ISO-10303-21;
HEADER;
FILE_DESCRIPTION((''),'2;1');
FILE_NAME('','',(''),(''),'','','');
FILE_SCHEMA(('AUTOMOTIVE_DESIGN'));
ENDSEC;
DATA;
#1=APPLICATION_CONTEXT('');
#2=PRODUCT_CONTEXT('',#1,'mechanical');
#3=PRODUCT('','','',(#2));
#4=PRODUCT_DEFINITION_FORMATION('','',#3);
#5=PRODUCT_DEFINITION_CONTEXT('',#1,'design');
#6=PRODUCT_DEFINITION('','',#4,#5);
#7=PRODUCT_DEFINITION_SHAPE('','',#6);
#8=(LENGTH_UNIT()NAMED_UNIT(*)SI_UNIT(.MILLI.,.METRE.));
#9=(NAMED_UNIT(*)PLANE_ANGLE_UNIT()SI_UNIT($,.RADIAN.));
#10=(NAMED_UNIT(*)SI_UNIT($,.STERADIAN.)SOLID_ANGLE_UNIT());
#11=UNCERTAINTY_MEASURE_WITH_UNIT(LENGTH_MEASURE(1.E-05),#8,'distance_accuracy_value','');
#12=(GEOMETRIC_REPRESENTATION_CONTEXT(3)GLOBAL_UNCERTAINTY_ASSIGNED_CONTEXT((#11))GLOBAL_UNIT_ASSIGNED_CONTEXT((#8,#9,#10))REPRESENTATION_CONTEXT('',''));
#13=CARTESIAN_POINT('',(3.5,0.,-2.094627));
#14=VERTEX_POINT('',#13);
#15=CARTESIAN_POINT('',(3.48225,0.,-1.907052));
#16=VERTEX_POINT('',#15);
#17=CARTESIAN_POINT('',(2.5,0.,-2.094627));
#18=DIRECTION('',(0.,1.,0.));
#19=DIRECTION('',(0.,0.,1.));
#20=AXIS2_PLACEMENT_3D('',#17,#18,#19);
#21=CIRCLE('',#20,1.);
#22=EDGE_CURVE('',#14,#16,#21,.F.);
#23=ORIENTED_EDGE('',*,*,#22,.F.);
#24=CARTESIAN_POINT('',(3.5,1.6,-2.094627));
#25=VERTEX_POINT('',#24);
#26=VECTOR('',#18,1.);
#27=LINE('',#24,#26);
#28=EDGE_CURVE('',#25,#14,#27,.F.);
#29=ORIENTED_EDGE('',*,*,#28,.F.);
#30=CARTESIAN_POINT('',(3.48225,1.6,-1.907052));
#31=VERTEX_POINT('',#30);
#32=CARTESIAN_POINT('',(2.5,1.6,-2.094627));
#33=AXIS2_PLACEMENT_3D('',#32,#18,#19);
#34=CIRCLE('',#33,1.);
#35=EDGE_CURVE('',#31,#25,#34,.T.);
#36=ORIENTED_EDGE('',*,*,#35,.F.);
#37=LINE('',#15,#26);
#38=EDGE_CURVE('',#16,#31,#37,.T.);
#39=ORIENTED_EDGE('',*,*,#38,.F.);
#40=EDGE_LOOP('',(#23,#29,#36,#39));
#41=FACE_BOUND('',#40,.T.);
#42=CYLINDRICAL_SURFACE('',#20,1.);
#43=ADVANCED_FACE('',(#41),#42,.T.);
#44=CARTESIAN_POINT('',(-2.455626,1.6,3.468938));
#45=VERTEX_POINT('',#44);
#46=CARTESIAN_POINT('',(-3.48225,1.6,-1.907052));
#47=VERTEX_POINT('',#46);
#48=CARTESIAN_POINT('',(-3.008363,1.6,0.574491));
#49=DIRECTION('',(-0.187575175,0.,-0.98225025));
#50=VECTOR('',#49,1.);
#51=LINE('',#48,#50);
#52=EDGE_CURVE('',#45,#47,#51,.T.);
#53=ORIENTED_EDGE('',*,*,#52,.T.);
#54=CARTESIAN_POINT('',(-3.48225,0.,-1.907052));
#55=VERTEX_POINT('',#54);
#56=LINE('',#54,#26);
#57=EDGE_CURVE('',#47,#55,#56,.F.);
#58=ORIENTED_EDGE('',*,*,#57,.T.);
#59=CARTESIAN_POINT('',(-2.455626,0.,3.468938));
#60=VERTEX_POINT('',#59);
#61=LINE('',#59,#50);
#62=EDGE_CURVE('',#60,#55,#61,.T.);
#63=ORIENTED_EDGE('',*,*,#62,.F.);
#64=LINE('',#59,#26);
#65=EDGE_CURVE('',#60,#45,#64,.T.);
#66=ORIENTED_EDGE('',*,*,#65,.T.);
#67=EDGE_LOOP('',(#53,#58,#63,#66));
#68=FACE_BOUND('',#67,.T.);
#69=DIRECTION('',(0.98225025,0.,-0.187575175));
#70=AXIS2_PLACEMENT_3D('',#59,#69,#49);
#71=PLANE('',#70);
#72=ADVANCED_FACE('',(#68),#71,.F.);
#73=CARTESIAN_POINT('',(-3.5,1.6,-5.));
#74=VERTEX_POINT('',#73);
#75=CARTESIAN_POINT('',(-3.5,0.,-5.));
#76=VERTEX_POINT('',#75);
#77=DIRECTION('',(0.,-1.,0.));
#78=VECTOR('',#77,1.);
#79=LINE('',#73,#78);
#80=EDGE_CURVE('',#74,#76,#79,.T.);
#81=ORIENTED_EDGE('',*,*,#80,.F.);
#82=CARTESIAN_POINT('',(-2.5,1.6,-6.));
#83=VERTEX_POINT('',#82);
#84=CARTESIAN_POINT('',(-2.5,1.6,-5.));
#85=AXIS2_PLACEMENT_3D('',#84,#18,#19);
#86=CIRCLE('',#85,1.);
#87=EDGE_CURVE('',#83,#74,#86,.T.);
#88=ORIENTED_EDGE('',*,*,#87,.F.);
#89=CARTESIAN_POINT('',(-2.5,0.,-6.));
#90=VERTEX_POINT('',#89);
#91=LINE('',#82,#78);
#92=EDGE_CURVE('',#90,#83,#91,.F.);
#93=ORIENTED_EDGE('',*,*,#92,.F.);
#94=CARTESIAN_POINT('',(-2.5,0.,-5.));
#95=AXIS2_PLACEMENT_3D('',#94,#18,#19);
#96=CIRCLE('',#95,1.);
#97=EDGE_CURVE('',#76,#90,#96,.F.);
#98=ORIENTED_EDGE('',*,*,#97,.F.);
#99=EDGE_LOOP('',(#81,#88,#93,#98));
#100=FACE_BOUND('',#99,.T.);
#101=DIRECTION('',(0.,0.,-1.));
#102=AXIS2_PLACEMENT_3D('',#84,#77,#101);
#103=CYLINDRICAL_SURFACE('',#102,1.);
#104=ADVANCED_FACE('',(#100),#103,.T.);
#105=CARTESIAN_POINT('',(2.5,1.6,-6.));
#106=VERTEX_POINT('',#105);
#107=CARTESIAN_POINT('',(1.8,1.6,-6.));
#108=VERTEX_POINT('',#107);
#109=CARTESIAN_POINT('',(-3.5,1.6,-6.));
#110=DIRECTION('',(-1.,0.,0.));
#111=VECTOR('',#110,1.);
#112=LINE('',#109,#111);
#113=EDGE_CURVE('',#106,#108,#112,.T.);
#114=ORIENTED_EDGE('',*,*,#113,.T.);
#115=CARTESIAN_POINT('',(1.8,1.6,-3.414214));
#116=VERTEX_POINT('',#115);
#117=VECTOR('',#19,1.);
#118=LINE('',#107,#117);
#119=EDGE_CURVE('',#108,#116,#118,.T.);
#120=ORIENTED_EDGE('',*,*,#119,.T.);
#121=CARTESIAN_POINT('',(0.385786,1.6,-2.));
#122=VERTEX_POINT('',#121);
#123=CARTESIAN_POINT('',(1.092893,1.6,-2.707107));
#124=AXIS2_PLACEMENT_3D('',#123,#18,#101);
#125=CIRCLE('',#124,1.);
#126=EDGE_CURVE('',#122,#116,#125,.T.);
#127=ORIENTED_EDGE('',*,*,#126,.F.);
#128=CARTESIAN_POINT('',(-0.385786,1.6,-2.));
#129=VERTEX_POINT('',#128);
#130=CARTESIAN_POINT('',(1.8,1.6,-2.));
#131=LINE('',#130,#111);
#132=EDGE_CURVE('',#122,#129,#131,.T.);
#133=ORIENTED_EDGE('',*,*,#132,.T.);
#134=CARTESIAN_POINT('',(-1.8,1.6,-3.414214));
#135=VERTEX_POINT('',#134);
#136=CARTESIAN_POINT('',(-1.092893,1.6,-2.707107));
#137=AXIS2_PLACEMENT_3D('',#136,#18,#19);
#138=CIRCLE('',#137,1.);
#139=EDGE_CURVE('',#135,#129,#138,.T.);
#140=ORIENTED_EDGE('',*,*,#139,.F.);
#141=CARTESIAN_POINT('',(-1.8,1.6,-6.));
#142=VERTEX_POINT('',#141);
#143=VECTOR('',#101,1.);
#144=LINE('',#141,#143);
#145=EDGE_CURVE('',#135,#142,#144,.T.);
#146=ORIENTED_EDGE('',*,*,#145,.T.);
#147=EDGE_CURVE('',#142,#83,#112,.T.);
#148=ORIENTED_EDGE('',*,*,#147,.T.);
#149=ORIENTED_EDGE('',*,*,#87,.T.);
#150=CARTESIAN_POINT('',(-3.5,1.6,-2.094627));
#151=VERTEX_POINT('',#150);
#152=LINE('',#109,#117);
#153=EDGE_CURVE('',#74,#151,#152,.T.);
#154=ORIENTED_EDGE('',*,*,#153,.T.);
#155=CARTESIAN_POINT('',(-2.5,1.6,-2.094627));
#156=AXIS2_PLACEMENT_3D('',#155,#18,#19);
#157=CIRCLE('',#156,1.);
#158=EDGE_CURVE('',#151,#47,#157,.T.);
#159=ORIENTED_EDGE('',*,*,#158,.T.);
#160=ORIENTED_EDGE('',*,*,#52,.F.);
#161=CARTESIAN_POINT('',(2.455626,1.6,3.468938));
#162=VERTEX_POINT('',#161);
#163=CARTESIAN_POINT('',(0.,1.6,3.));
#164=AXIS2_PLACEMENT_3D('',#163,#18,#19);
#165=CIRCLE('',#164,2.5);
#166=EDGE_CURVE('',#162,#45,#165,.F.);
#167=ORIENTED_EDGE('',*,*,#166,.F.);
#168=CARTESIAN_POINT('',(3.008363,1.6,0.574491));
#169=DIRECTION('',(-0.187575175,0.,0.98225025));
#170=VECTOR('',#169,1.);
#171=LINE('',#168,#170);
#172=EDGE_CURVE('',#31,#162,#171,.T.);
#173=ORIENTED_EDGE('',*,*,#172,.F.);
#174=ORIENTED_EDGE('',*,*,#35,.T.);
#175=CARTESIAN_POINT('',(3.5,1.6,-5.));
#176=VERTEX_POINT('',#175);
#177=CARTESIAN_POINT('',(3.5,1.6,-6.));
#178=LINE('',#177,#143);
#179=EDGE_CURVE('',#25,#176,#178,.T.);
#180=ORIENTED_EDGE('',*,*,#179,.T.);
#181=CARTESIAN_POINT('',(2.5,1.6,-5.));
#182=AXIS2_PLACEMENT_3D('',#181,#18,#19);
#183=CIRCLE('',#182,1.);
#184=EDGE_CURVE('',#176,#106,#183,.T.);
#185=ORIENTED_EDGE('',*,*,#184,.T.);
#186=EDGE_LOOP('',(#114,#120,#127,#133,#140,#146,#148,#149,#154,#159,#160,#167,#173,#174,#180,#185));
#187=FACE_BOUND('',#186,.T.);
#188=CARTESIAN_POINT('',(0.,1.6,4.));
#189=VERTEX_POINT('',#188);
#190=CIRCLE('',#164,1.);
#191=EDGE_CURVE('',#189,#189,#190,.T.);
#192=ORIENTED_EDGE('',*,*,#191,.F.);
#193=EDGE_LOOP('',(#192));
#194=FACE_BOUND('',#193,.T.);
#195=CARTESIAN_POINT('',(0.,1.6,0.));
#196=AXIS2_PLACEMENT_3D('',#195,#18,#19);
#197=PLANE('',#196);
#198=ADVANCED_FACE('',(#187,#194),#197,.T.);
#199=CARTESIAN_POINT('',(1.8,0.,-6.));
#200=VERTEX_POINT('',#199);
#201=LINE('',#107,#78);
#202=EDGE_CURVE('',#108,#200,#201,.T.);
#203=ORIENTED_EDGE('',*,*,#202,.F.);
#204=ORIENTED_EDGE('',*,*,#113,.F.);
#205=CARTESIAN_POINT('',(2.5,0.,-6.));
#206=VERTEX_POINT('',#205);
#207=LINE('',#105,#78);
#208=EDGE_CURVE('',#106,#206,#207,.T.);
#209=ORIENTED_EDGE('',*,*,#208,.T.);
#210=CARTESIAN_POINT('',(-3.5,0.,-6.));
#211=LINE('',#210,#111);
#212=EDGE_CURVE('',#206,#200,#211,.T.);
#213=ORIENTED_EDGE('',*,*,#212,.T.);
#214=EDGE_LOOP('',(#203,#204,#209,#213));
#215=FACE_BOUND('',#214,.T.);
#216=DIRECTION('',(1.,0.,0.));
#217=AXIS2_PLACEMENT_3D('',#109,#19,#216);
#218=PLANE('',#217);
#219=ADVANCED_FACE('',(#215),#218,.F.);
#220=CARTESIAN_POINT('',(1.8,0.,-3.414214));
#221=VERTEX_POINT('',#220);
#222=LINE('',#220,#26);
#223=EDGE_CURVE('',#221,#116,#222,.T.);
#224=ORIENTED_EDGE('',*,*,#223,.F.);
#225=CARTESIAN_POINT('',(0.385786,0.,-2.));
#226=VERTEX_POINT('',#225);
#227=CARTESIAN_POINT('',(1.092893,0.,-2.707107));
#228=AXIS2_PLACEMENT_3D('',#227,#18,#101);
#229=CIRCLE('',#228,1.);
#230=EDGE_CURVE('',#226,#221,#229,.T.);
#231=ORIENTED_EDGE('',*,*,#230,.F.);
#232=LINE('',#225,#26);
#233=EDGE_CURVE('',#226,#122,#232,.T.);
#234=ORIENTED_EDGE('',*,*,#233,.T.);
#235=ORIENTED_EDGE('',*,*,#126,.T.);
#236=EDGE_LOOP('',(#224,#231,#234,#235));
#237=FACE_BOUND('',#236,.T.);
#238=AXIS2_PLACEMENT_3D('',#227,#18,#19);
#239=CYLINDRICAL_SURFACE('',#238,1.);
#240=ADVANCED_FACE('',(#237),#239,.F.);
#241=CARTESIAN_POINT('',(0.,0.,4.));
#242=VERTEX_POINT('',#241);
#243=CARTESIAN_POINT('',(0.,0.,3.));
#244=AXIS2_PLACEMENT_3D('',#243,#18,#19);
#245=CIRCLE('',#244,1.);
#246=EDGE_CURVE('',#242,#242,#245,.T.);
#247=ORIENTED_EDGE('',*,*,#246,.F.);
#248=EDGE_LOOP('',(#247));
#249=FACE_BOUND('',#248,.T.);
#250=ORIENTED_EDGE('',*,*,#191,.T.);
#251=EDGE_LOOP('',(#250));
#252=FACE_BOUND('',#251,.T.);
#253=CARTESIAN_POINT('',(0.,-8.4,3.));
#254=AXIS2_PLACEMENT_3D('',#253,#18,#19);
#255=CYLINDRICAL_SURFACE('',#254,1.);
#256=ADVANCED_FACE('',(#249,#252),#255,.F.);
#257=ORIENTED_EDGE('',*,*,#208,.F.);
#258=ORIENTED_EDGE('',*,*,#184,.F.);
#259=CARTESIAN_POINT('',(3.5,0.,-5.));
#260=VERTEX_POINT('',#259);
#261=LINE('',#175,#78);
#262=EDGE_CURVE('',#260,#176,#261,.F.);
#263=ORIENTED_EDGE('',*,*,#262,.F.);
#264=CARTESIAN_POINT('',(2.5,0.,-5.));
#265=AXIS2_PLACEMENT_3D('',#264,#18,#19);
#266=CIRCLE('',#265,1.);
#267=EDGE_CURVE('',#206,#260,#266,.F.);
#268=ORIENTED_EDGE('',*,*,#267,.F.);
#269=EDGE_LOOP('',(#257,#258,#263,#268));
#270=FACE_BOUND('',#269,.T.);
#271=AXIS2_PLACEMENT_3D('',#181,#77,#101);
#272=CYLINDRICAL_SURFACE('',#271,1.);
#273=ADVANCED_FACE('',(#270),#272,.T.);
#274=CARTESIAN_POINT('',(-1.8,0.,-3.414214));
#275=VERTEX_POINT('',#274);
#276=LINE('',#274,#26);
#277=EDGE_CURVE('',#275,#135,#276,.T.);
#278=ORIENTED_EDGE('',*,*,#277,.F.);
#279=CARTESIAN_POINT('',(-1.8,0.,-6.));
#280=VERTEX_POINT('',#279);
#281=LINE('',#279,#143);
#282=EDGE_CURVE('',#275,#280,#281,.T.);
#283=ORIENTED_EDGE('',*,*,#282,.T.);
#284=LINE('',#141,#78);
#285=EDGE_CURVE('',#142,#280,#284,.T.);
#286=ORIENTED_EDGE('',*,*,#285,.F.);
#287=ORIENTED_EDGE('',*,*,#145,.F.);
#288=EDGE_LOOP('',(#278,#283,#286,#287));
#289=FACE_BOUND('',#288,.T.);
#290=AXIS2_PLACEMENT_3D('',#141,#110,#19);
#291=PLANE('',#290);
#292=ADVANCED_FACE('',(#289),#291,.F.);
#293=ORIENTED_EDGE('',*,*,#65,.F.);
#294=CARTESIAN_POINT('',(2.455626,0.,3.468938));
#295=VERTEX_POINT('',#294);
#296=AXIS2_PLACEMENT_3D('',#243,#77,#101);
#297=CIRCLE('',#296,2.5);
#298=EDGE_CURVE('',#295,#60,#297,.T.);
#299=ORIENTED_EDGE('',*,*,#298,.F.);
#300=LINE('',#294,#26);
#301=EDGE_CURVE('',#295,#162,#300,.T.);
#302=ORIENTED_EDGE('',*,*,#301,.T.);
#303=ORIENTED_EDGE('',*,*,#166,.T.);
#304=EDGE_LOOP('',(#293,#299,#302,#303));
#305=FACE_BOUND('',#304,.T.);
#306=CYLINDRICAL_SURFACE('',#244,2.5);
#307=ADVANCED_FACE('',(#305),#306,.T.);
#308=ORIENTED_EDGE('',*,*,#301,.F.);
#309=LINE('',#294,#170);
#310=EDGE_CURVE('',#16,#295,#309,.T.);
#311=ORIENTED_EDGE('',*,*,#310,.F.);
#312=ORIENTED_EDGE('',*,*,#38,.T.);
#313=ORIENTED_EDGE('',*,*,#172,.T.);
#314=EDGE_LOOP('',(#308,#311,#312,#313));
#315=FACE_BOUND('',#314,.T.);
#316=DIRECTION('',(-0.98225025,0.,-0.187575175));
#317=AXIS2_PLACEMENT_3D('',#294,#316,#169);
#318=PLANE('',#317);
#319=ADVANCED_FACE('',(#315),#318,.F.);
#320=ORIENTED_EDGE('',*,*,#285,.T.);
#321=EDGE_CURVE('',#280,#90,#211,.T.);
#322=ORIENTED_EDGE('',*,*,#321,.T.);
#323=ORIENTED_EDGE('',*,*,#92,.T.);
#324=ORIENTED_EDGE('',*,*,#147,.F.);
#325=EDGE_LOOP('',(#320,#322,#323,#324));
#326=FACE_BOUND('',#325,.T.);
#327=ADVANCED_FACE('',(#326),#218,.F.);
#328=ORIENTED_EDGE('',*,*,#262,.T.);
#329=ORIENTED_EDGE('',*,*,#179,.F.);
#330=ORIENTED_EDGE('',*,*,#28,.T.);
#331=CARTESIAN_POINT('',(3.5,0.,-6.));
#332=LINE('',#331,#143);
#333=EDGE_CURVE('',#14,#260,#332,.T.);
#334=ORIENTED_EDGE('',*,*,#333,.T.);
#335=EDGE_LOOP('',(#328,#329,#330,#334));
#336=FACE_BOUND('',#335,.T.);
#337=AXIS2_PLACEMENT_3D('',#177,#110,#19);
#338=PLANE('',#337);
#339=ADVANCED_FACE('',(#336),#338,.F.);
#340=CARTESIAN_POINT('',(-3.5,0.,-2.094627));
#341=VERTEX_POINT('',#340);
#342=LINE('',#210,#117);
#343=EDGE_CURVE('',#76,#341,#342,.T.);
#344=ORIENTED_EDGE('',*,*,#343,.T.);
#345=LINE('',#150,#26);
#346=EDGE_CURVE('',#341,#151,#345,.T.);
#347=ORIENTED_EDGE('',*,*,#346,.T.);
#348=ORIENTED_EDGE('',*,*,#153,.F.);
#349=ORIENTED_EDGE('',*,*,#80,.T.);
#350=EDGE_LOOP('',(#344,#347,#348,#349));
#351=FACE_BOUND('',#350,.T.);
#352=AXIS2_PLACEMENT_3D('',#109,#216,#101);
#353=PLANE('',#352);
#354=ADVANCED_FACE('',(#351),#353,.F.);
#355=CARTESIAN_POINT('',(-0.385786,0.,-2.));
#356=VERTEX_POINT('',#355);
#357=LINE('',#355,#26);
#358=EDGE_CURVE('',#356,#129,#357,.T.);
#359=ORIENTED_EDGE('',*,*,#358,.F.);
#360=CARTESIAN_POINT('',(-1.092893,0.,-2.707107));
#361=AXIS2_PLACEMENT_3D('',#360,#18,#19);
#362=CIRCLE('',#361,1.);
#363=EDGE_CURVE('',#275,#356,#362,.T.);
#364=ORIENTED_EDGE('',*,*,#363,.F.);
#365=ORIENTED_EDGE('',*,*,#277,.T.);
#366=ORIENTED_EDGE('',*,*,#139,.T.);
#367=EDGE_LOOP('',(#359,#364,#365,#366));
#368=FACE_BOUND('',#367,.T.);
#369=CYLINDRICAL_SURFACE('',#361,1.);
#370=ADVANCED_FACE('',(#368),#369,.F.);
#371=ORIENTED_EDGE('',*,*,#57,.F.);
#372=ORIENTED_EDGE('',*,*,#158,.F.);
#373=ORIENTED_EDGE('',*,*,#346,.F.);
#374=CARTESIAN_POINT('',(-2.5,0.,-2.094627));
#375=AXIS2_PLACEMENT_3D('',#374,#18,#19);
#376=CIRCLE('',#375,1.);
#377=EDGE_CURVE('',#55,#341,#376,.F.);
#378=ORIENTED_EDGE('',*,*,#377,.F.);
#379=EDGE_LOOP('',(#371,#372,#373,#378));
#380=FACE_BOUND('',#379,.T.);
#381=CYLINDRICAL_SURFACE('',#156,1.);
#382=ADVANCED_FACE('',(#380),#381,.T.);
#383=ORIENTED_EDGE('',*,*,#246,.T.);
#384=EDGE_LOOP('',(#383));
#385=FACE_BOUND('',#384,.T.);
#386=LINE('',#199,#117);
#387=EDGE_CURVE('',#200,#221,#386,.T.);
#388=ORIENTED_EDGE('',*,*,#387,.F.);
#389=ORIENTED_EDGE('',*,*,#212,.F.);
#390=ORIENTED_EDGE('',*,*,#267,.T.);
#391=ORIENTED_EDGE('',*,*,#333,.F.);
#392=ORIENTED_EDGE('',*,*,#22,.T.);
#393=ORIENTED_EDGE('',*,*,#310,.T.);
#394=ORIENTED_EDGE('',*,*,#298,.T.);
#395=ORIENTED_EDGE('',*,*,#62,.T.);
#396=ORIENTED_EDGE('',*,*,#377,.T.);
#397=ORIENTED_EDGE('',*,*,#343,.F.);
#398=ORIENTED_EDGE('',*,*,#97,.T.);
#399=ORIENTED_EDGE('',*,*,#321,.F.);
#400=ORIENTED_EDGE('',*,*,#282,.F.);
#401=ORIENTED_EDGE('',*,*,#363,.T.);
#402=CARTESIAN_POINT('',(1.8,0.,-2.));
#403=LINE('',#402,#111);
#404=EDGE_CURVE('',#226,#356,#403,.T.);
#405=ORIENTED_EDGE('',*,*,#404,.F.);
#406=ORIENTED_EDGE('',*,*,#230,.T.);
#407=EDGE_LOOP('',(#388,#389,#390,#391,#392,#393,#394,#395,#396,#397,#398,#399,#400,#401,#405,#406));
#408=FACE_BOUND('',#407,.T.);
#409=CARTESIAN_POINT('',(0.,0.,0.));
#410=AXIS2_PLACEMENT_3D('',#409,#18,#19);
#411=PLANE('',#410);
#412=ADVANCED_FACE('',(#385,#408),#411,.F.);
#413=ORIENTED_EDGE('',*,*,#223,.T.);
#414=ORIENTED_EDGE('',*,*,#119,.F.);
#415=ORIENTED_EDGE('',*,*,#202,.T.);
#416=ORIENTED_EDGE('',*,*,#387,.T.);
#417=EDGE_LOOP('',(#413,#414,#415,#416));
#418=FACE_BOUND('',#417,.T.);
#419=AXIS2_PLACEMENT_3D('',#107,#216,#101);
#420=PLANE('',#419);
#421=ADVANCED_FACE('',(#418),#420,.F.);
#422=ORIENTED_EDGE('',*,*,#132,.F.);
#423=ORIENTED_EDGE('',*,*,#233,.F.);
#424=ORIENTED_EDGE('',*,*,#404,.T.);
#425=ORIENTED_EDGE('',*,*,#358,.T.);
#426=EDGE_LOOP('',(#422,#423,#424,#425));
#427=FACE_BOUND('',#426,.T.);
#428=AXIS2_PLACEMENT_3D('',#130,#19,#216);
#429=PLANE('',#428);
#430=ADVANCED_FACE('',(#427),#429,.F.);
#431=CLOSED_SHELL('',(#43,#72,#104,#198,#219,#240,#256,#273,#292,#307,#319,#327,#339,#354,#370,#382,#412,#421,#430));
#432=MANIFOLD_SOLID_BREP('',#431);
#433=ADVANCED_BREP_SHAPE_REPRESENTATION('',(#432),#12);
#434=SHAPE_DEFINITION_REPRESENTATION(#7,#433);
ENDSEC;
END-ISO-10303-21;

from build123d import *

# Parameters (mm, degrees)
SKETCH1_W               = 7
SKETCH1_H               = 12
BOSS_EXTRUDE1_DEPTH     = 1.6
SKETCH3_W               = 3.6
SKETCH3_H               = 4
CUT_EXTRUDE2_DEPTH      = 8.128113355
SKETCH4_R               = 1
CUT_EXTRUDE3_DEPTH      = 10
CUT_EXTRUDE4_DEPTH      = 8.128113355
CUT_EXTRUDE4_DEPTH_BACK = 8.128113355
FILLET1_R               = 1
CUT_EXTRUDE5_DEPTH      = 8.128113355


with BuildPart() as part:
    # Sketch1 → Boss-Extrude1 (new body)
    with BuildSketch(Plane(origin=(0, 0, 0), x_dir=(1, 0, 0), z_dir=(0, 1, 0))):
        Rectangle(SKETCH1_W, SKETCH1_H)
    extrude(amount=BOSS_EXTRUDE1_DEPTH)

    # Sketch3 → Cut-Extrude2 (cut, through all)
    with BuildSketch(Plane.XZ):
        with Locations((0, -4)):
            Rectangle(SKETCH3_W, SKETCH3_H)
    extrude(amount=-CUT_EXTRUDE2_DEPTH, mode=Mode.SUBTRACT)

    # Sketch4 → Cut-Extrude3 (cut)
    with BuildSketch(Plane(origin=(0, 1.6, 0), x_dir=(1, 0, 0), z_dir=(0, 1, 0))):
        with Locations(Location((0, -3, 0), (0, 0, 270))):
            Circle(SKETCH4_R)
    extrude(amount=-CUT_EXTRUDE3_DEPTH, mode=Mode.SUBTRACT)

    # Sketch5 → Cut-Extrude4 (cut, two sides: drawn at the far end of the back side and taken through both)
    with BuildSketch(Plane(origin=(0, 1.6, 0), x_dir=(1, 0, 0), z_dir=(0, 1, 0)).offset(-CUT_EXTRUDE4_DEPTH_BACK)):
        with BuildLine():
            Line((2.455625625, -3.468937938), (3.5, 2))
            Line((3.5, 2), (6.178310216, -2.368643633))
            Line((6.178310216, -2.368643633), (0.801322839, -12.436782797))
            Line((0.801322839, -12.436782797), (-8.05270341, -5.5))
            Line((-8.05270341, -5.5), (-3.5, 2))
            Line((-3.5, 2), (-2.455625625, -3.468937938))
            ThreePointArc((-2.455625625, -3.468937938), (0, -5.5), (2.455625625, -3.468937938))
        make_face()
    extrude(amount=CUT_EXTRUDE4_DEPTH + CUT_EXTRUDE4_DEPTH_BACK, mode=Mode.SUBTRACT)

    # Fillet1
    fillet1_edges = [part.edges().sort_by_distance(p)[0] for p in [
        (3.5, 0.8, -2),
        (-3.5, 0.8, -2),
        (-3.5, 0.8, -6),
        (3.5, 0.8, -6),
    ]]
    fillet(fillet1_edges, radius=FILLET1_R)

    # Sketch8 → Cut-Extrude5 (cut, through all)
    with BuildSketch(Plane(origin=(0, 1.6, 0), x_dir=(1, 0, 0), z_dir=(0, 1, 0))):
        with BuildLine():
            Line((1.8, 3.414213562), (0.385786438, 2))
            ThreePointArc((0.385786438, 2), (1.8, 2), (1.8, 3.414213562))
        make_face()
        with BuildLine():
            Line((-1.8, 3.414213562), (-0.385786438, 2))
            ThreePointArc((-0.385786438, 2), (-1.8, 2), (-1.8, 3.414213562))
        make_face()
    extrude(amount=-CUT_EXTRUDE5_DEPTH, mode=Mode.SUBTRACT)


solid = part.part
